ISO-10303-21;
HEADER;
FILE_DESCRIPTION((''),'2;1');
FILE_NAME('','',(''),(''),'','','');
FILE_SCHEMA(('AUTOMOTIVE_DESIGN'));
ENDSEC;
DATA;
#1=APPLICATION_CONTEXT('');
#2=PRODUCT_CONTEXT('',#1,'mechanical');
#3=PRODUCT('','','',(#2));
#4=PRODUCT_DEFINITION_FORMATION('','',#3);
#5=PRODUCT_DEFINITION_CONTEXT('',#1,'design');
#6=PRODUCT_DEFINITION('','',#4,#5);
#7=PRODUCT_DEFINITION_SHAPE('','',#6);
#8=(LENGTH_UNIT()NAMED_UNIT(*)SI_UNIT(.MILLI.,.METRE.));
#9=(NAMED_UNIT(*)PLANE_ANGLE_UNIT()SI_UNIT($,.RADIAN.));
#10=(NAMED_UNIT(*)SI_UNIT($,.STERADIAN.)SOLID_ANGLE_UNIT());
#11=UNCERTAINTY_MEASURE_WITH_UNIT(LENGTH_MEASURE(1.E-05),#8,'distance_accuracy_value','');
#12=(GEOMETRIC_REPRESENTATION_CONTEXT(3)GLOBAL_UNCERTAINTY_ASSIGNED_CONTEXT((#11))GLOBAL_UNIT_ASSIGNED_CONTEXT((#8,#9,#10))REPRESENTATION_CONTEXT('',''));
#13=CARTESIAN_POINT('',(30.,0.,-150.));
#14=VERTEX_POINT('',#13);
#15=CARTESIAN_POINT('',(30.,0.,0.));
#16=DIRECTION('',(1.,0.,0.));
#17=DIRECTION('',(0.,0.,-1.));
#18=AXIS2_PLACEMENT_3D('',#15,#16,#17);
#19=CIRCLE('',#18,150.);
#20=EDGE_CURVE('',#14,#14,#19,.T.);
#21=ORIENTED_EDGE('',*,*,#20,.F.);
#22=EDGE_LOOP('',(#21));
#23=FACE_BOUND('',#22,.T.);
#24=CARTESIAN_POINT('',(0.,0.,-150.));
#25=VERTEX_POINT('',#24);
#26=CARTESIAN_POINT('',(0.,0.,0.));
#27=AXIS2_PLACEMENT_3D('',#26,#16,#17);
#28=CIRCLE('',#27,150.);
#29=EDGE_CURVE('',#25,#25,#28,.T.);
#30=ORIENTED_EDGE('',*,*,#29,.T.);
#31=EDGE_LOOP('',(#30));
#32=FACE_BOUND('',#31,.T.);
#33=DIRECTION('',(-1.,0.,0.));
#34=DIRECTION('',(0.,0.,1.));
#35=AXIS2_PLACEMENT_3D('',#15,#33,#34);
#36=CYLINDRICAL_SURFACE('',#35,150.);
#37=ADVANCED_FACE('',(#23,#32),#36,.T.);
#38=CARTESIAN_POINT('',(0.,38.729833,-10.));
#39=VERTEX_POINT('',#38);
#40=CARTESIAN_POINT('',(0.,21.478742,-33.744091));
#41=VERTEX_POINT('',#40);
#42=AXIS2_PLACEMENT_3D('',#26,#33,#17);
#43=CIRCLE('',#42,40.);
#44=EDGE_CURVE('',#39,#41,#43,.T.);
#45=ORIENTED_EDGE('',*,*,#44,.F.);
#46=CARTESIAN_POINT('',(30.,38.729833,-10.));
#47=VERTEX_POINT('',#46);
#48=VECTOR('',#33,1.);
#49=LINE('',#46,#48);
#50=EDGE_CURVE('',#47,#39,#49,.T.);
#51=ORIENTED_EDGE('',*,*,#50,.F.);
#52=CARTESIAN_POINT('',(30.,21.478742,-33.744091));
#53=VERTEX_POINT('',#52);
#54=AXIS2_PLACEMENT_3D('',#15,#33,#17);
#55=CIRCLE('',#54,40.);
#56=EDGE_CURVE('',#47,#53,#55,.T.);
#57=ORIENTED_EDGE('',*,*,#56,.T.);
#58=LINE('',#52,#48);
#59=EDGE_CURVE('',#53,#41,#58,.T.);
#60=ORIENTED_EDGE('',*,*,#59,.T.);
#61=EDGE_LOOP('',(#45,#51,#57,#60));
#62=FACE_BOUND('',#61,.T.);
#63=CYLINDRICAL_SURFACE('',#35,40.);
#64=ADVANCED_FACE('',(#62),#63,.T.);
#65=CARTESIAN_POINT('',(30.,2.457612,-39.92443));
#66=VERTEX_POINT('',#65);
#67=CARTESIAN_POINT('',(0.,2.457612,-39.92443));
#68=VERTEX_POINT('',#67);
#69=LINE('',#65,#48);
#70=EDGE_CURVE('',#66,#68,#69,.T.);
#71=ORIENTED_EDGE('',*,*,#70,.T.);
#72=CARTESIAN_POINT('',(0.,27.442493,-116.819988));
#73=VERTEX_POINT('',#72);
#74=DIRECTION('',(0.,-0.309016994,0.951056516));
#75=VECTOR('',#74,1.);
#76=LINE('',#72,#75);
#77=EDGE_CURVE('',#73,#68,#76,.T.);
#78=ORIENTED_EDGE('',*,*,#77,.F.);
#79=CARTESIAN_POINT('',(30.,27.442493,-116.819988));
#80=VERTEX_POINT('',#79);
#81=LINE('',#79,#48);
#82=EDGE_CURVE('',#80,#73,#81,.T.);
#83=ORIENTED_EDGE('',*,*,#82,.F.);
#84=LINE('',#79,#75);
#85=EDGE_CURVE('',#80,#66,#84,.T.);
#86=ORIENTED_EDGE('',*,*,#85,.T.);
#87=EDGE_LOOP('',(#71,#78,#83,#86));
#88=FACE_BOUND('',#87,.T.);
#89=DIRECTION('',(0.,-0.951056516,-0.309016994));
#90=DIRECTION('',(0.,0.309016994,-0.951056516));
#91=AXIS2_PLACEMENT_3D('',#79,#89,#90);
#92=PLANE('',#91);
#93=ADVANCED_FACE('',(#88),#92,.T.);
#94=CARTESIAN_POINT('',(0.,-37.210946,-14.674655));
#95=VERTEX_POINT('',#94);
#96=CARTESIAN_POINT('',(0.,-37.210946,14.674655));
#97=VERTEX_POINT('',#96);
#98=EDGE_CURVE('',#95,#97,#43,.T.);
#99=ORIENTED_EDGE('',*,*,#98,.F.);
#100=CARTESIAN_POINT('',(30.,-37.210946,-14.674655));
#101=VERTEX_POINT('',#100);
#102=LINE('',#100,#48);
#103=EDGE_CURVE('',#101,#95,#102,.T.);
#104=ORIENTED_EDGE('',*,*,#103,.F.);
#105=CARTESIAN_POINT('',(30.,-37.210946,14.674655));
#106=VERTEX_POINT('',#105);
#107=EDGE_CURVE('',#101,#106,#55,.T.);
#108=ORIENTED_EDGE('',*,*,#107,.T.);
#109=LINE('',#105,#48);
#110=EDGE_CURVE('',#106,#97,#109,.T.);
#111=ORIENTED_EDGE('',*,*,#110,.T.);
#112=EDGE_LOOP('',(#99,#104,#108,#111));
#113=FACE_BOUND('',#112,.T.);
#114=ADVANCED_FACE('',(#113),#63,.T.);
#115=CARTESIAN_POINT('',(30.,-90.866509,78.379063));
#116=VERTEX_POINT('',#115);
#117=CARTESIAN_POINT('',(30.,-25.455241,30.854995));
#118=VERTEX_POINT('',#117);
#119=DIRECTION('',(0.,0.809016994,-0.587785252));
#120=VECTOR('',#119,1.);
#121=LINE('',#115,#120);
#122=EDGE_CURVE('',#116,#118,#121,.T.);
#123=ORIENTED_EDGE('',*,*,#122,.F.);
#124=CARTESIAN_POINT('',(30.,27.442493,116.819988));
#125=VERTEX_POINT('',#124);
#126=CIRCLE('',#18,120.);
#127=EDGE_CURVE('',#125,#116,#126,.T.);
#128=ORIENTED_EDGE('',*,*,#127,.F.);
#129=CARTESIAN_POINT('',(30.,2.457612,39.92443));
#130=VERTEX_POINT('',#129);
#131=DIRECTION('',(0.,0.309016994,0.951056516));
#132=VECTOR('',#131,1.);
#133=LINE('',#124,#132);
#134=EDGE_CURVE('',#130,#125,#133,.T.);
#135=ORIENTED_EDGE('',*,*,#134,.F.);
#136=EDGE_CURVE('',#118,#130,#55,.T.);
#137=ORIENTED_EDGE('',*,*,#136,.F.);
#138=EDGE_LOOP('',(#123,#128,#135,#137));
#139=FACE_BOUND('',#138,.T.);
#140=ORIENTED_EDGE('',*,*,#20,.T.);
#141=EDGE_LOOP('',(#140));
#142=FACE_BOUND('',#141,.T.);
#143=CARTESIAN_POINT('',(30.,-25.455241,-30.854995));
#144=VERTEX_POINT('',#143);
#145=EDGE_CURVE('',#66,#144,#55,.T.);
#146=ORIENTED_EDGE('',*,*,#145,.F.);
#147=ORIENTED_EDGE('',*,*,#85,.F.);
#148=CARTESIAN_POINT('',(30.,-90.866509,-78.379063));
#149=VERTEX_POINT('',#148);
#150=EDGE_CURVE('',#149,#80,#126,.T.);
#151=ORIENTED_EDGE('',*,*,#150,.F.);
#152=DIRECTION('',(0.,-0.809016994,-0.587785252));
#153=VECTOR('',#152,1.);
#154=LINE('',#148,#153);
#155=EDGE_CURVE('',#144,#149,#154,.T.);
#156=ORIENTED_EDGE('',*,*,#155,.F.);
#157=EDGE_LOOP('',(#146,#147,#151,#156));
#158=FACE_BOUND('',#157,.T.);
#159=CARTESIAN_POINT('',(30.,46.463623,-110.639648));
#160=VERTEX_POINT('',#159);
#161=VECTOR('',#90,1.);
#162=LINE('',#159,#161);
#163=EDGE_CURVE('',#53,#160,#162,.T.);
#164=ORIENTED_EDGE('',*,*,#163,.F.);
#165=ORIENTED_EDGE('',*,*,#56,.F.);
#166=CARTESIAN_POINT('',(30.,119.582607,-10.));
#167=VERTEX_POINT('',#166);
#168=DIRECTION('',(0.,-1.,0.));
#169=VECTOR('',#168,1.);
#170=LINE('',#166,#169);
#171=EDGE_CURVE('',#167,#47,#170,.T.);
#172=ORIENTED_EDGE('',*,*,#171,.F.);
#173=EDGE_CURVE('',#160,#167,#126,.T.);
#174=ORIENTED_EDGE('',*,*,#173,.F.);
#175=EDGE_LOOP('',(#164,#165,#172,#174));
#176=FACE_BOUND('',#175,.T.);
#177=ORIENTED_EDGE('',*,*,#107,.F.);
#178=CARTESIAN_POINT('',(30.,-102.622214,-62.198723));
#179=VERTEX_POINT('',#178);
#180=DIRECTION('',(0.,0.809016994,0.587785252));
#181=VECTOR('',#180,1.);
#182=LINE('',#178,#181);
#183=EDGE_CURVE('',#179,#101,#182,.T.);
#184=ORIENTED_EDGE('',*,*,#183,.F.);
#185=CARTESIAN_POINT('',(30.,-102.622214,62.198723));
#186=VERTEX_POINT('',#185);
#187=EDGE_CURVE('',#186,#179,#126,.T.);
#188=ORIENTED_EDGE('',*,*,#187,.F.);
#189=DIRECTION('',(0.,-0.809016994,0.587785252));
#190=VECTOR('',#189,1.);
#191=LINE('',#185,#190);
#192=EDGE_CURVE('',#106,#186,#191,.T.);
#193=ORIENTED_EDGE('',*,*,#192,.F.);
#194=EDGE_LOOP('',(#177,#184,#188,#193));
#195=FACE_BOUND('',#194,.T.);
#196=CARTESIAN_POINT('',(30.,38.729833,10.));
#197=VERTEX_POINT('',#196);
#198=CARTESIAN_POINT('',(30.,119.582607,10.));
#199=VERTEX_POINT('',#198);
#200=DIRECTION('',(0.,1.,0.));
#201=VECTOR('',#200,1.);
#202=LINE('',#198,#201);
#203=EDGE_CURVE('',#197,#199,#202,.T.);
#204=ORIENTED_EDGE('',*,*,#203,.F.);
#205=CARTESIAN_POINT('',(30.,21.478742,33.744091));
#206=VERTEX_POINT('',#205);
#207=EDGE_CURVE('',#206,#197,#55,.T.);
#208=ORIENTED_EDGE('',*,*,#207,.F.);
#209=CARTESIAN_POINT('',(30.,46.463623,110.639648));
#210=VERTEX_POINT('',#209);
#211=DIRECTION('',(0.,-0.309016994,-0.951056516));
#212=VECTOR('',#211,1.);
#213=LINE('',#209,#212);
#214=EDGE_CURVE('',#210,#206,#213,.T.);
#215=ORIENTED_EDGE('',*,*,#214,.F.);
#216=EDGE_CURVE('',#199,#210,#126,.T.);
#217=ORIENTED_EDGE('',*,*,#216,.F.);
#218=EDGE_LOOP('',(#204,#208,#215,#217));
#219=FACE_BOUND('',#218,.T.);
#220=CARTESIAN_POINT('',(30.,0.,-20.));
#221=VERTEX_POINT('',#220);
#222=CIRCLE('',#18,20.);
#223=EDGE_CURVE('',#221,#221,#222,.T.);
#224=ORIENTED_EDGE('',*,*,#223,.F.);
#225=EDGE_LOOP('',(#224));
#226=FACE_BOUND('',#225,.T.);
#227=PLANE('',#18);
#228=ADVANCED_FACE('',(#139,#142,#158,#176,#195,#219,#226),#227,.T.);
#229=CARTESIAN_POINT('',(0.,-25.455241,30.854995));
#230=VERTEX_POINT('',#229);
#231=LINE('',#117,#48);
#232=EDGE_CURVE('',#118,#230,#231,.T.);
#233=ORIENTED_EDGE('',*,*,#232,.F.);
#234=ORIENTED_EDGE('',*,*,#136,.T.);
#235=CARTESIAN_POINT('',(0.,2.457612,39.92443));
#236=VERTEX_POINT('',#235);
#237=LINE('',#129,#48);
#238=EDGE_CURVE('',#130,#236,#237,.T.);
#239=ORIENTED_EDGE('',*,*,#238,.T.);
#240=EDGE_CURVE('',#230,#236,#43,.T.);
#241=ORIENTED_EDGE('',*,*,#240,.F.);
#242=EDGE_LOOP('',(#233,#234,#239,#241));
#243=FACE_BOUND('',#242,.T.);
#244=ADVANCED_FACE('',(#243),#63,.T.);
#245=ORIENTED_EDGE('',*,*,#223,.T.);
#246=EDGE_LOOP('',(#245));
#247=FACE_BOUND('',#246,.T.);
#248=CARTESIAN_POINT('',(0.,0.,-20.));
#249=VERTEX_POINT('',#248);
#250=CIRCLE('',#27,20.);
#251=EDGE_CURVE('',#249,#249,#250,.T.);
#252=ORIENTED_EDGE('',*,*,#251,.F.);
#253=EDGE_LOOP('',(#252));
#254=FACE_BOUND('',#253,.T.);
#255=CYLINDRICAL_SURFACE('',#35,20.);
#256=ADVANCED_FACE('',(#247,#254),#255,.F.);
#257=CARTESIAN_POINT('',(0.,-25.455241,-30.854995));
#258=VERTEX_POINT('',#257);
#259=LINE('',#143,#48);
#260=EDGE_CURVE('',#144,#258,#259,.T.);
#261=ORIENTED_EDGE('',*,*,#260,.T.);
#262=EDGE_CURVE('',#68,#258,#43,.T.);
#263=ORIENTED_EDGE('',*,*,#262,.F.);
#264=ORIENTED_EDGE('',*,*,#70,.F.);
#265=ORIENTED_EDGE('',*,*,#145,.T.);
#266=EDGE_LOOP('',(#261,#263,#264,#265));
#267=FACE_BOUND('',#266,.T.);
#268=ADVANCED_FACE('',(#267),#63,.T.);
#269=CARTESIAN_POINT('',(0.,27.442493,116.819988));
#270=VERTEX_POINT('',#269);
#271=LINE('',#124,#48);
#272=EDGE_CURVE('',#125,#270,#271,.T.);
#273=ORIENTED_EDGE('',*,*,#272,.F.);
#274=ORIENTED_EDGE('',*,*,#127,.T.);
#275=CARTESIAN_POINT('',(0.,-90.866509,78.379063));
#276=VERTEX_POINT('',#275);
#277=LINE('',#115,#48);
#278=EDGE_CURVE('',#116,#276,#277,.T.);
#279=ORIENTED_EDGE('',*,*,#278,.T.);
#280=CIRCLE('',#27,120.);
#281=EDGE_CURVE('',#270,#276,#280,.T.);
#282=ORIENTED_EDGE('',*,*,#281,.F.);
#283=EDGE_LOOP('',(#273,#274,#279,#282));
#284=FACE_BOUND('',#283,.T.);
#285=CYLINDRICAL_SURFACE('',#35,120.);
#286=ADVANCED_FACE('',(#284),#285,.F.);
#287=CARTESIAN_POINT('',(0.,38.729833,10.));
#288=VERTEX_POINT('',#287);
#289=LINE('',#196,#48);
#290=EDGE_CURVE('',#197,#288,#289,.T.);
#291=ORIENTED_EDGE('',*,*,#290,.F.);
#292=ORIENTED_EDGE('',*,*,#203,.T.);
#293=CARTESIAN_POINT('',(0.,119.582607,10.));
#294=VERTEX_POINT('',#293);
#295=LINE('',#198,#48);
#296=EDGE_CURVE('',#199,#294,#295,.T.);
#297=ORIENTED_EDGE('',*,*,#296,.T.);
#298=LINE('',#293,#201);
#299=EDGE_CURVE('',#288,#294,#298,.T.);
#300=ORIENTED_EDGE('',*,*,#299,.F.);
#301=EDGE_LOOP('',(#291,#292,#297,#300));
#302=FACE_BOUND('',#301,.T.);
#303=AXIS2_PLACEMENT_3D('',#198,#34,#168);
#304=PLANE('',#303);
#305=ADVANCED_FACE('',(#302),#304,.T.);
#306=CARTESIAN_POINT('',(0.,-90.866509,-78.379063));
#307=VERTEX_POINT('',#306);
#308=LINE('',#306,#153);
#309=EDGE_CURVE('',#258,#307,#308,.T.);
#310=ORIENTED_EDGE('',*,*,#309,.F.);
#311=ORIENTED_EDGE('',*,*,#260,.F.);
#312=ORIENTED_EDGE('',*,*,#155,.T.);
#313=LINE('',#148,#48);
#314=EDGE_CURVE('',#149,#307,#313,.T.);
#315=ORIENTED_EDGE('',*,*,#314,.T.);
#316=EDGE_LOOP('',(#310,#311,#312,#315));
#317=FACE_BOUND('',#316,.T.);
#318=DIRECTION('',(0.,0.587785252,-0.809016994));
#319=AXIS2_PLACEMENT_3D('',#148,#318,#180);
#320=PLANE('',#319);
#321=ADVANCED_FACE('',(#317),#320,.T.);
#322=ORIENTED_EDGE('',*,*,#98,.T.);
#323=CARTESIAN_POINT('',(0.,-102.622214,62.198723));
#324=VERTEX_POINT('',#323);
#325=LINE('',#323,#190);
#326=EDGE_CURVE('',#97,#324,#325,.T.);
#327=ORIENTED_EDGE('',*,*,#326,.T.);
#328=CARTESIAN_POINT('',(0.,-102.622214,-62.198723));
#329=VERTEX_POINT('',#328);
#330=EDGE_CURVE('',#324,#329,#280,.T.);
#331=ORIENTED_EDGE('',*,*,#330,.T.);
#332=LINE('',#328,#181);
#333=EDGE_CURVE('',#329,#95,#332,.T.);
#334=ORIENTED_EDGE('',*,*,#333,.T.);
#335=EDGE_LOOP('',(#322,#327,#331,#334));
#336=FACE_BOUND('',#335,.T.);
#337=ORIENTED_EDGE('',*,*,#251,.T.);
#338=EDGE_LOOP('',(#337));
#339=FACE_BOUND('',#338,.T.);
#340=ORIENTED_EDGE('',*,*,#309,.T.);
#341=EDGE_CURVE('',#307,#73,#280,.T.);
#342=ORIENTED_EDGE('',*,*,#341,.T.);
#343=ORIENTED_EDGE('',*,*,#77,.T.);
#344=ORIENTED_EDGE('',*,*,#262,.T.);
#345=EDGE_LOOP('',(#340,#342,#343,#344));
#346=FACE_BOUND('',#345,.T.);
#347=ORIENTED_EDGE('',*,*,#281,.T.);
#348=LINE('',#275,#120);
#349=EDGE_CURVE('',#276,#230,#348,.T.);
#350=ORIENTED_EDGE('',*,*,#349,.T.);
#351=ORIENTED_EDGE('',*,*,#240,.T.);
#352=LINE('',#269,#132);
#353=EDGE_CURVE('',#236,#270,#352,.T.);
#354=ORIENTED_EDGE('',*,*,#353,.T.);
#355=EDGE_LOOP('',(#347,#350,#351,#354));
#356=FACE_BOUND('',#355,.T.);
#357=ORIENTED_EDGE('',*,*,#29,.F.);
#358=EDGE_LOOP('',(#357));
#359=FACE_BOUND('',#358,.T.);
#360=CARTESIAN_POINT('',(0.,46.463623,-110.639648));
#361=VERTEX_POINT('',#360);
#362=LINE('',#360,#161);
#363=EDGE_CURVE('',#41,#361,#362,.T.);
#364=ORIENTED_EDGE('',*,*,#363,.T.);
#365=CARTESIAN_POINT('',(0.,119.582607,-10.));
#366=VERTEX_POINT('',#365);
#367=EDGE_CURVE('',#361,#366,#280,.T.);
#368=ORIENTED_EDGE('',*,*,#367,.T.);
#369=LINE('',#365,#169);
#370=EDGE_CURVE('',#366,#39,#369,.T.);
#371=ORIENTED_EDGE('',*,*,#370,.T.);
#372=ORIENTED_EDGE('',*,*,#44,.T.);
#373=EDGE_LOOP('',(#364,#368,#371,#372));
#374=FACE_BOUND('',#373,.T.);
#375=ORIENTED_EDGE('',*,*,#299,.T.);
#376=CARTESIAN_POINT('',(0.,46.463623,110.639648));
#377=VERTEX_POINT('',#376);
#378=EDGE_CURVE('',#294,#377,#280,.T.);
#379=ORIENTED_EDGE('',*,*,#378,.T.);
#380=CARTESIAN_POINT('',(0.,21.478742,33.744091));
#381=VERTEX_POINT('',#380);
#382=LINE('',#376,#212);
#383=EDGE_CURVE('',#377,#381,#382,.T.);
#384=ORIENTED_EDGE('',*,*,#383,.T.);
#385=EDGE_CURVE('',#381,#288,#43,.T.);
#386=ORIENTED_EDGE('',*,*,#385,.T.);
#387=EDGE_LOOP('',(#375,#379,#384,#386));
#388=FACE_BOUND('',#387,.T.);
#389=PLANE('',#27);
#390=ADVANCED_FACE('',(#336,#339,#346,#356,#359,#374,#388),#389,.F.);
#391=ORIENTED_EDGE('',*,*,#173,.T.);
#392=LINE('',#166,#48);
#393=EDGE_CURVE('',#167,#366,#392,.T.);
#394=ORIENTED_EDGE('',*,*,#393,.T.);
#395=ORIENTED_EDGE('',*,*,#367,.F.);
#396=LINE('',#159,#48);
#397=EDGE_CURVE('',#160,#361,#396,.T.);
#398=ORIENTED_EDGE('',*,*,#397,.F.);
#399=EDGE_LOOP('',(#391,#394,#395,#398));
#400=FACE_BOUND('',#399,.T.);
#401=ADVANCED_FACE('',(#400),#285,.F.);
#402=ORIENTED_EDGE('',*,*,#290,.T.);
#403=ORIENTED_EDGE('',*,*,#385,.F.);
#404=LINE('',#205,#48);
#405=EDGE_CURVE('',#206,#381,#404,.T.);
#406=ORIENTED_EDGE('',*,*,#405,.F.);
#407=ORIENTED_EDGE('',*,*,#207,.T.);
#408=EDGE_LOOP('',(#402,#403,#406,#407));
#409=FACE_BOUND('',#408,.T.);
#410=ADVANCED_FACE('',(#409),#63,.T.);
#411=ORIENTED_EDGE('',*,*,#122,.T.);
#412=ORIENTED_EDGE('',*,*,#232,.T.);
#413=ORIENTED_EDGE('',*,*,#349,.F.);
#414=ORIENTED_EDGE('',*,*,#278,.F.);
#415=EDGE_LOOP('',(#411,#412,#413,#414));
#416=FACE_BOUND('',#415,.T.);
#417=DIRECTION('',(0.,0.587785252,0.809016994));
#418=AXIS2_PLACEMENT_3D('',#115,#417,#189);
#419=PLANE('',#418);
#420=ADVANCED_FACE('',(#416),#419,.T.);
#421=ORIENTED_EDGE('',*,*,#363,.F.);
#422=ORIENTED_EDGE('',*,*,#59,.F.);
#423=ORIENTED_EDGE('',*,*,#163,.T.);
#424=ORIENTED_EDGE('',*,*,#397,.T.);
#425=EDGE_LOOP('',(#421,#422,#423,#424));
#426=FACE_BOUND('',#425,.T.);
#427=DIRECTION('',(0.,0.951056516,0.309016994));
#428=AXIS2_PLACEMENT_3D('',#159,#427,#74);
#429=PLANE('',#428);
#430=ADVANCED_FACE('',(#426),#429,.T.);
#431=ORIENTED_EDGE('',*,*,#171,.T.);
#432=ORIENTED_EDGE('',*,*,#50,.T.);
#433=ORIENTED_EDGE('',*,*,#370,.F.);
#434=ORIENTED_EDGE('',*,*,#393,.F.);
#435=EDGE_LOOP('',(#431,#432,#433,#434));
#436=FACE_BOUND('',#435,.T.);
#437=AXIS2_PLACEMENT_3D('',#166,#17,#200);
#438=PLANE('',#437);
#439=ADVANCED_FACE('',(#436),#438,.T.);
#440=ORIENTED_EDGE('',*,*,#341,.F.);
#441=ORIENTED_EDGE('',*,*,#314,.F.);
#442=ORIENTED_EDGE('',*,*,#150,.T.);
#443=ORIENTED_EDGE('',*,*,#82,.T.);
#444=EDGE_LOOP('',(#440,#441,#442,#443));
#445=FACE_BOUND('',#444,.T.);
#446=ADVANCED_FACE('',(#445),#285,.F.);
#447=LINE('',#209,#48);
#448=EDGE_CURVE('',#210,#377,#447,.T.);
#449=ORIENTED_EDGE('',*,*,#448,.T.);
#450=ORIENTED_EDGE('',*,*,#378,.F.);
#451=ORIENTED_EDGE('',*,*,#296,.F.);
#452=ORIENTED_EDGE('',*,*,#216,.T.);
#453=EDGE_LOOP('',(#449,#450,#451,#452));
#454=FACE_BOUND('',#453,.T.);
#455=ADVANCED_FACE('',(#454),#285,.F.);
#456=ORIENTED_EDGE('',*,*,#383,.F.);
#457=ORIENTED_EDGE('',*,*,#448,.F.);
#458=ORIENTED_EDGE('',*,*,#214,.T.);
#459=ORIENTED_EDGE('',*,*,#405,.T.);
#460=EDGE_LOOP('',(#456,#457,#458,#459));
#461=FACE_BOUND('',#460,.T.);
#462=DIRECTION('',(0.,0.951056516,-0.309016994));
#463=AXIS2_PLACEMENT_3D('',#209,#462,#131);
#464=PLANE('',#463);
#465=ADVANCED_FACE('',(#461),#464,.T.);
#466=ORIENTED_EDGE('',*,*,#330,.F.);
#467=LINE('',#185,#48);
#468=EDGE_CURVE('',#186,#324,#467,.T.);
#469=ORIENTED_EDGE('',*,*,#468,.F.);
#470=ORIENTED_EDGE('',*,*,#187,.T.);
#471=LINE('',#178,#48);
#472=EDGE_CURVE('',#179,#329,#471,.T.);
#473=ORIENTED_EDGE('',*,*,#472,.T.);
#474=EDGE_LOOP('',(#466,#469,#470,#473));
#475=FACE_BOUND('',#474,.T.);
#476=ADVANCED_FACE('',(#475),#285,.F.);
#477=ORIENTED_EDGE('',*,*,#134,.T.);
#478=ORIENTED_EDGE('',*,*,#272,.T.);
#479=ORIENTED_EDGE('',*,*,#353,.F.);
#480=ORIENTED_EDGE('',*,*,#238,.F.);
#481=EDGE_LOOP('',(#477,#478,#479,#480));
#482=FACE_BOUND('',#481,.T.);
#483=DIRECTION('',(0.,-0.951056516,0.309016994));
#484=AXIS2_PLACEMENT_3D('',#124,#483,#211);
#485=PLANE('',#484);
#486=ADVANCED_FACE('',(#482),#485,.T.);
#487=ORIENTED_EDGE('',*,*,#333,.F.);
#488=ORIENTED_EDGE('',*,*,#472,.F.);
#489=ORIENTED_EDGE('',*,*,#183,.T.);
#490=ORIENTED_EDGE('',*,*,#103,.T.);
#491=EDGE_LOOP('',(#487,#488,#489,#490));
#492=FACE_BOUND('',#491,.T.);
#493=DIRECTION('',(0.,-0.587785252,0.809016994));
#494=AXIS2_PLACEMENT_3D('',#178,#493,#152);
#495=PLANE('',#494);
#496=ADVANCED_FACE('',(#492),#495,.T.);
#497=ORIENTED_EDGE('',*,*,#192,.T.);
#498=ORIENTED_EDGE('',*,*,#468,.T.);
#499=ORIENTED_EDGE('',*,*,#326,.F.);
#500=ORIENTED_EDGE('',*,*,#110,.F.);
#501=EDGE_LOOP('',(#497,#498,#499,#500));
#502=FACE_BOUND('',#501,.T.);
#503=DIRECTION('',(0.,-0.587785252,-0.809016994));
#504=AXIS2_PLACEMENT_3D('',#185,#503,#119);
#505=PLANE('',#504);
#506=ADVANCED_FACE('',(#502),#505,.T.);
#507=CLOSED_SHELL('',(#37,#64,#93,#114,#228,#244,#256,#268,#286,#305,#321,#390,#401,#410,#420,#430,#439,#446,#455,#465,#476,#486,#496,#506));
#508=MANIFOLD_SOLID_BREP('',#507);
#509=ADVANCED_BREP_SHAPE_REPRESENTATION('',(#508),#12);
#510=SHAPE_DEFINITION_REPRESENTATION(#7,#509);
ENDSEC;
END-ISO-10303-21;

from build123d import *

# Parameters (mm, degrees)
SKETCH1_R           = 150
SKETCH1_R_2         = 20
BOSS_EXTRUDE1_DEPTH = 30


with BuildPart() as part:
    # Sketch1 → Boss-Extrude1 (new body)
    with BuildSketch(Plane(origin=(0, 0, 0), x_dir=(0, 0, -1), z_dir=(1, 0, 0))):
        Circle(SKETCH1_R)
        Circle(SKETCH1_R_2, mode=Mode.SUBTRACT)
        with BuildLine():
            Line((110.639648089, 46.463623091), (33.744090545, 21.478741892))
            ThreePointArc((33.744090545, 21.478741892), (23.511410092, 32.360679775), (10, 38.729833462))
            Line((10, 38.729833462), (10, 119.582607431))
            ThreePointArc((10, 119.582607431), (70.534230275, 97.082039325), (110.639648089, 46.463623091))
        make_face(mode=Mode.SUBTRACT)
        with BuildLine():
            Line((-10, 119.582607431), (-10, 38.729833462))
            ThreePointArc((-10, 38.729833462), (-23.511410092, 32.360679775), (-33.744090545, 21.478741892))
            Line((-33.744090545, 21.478741892), (-110.639648089, 46.463623091))
            ThreePointArc((-110.639648089, 46.463623091), (-70.534230275, 97.082039325), (-10, 119.582607431))
        make_face(mode=Mode.SUBTRACT)
        with BuildLine():
            Line((116.819987977, 27.442492765), (39.924430433, 2.457611566))
            ThreePointArc((39.924430433, 2.457611566), (38.042260652, -12.360679775), (30.854994877, -25.455240937))
            Line((30.854994877, -25.455240937), (78.379063022, -90.86650912))
            ThreePointArc((78.379063022, -90.86650912), (114.126781955, -37.082039325), (116.819987977, 27.442492765))
        make_face(mode=Mode.SUBTRACT)
        with BuildLine():
            Line((62.198723135, -102.622214166), (14.674654989, -37.210945983))
            ThreePointArc((14.674654989, -37.210945983), (0, -40), (-14.674654989, -37.210945983))
            Line((-14.674654989, -37.210945983), (-62.198723135, -102.622214166))
            ThreePointArc((-62.198723135, -102.622214166), (0, -120), (62.198723135, -102.622214166))
        make_face(mode=Mode.SUBTRACT)
        with BuildLine():
            Line((-78.379063022, -90.86650912), (-30.854994877, -25.455240937))
            ThreePointArc((-30.854994877, -25.455240937), (-38.042260652, -12.360679775), (-39.924430433, 2.457611566))
            Line((-39.924430433, 2.457611566), (-116.819987977, 27.442492765))
            ThreePointArc((-116.819987977, 27.442492765), (-114.126781955, -37.082039325), (-78.379063022, -90.86650912))
        make_face(mode=Mode.SUBTRACT)
    extrude(amount=BOSS_EXTRUDE1_DEPTH)


solid = part.part
